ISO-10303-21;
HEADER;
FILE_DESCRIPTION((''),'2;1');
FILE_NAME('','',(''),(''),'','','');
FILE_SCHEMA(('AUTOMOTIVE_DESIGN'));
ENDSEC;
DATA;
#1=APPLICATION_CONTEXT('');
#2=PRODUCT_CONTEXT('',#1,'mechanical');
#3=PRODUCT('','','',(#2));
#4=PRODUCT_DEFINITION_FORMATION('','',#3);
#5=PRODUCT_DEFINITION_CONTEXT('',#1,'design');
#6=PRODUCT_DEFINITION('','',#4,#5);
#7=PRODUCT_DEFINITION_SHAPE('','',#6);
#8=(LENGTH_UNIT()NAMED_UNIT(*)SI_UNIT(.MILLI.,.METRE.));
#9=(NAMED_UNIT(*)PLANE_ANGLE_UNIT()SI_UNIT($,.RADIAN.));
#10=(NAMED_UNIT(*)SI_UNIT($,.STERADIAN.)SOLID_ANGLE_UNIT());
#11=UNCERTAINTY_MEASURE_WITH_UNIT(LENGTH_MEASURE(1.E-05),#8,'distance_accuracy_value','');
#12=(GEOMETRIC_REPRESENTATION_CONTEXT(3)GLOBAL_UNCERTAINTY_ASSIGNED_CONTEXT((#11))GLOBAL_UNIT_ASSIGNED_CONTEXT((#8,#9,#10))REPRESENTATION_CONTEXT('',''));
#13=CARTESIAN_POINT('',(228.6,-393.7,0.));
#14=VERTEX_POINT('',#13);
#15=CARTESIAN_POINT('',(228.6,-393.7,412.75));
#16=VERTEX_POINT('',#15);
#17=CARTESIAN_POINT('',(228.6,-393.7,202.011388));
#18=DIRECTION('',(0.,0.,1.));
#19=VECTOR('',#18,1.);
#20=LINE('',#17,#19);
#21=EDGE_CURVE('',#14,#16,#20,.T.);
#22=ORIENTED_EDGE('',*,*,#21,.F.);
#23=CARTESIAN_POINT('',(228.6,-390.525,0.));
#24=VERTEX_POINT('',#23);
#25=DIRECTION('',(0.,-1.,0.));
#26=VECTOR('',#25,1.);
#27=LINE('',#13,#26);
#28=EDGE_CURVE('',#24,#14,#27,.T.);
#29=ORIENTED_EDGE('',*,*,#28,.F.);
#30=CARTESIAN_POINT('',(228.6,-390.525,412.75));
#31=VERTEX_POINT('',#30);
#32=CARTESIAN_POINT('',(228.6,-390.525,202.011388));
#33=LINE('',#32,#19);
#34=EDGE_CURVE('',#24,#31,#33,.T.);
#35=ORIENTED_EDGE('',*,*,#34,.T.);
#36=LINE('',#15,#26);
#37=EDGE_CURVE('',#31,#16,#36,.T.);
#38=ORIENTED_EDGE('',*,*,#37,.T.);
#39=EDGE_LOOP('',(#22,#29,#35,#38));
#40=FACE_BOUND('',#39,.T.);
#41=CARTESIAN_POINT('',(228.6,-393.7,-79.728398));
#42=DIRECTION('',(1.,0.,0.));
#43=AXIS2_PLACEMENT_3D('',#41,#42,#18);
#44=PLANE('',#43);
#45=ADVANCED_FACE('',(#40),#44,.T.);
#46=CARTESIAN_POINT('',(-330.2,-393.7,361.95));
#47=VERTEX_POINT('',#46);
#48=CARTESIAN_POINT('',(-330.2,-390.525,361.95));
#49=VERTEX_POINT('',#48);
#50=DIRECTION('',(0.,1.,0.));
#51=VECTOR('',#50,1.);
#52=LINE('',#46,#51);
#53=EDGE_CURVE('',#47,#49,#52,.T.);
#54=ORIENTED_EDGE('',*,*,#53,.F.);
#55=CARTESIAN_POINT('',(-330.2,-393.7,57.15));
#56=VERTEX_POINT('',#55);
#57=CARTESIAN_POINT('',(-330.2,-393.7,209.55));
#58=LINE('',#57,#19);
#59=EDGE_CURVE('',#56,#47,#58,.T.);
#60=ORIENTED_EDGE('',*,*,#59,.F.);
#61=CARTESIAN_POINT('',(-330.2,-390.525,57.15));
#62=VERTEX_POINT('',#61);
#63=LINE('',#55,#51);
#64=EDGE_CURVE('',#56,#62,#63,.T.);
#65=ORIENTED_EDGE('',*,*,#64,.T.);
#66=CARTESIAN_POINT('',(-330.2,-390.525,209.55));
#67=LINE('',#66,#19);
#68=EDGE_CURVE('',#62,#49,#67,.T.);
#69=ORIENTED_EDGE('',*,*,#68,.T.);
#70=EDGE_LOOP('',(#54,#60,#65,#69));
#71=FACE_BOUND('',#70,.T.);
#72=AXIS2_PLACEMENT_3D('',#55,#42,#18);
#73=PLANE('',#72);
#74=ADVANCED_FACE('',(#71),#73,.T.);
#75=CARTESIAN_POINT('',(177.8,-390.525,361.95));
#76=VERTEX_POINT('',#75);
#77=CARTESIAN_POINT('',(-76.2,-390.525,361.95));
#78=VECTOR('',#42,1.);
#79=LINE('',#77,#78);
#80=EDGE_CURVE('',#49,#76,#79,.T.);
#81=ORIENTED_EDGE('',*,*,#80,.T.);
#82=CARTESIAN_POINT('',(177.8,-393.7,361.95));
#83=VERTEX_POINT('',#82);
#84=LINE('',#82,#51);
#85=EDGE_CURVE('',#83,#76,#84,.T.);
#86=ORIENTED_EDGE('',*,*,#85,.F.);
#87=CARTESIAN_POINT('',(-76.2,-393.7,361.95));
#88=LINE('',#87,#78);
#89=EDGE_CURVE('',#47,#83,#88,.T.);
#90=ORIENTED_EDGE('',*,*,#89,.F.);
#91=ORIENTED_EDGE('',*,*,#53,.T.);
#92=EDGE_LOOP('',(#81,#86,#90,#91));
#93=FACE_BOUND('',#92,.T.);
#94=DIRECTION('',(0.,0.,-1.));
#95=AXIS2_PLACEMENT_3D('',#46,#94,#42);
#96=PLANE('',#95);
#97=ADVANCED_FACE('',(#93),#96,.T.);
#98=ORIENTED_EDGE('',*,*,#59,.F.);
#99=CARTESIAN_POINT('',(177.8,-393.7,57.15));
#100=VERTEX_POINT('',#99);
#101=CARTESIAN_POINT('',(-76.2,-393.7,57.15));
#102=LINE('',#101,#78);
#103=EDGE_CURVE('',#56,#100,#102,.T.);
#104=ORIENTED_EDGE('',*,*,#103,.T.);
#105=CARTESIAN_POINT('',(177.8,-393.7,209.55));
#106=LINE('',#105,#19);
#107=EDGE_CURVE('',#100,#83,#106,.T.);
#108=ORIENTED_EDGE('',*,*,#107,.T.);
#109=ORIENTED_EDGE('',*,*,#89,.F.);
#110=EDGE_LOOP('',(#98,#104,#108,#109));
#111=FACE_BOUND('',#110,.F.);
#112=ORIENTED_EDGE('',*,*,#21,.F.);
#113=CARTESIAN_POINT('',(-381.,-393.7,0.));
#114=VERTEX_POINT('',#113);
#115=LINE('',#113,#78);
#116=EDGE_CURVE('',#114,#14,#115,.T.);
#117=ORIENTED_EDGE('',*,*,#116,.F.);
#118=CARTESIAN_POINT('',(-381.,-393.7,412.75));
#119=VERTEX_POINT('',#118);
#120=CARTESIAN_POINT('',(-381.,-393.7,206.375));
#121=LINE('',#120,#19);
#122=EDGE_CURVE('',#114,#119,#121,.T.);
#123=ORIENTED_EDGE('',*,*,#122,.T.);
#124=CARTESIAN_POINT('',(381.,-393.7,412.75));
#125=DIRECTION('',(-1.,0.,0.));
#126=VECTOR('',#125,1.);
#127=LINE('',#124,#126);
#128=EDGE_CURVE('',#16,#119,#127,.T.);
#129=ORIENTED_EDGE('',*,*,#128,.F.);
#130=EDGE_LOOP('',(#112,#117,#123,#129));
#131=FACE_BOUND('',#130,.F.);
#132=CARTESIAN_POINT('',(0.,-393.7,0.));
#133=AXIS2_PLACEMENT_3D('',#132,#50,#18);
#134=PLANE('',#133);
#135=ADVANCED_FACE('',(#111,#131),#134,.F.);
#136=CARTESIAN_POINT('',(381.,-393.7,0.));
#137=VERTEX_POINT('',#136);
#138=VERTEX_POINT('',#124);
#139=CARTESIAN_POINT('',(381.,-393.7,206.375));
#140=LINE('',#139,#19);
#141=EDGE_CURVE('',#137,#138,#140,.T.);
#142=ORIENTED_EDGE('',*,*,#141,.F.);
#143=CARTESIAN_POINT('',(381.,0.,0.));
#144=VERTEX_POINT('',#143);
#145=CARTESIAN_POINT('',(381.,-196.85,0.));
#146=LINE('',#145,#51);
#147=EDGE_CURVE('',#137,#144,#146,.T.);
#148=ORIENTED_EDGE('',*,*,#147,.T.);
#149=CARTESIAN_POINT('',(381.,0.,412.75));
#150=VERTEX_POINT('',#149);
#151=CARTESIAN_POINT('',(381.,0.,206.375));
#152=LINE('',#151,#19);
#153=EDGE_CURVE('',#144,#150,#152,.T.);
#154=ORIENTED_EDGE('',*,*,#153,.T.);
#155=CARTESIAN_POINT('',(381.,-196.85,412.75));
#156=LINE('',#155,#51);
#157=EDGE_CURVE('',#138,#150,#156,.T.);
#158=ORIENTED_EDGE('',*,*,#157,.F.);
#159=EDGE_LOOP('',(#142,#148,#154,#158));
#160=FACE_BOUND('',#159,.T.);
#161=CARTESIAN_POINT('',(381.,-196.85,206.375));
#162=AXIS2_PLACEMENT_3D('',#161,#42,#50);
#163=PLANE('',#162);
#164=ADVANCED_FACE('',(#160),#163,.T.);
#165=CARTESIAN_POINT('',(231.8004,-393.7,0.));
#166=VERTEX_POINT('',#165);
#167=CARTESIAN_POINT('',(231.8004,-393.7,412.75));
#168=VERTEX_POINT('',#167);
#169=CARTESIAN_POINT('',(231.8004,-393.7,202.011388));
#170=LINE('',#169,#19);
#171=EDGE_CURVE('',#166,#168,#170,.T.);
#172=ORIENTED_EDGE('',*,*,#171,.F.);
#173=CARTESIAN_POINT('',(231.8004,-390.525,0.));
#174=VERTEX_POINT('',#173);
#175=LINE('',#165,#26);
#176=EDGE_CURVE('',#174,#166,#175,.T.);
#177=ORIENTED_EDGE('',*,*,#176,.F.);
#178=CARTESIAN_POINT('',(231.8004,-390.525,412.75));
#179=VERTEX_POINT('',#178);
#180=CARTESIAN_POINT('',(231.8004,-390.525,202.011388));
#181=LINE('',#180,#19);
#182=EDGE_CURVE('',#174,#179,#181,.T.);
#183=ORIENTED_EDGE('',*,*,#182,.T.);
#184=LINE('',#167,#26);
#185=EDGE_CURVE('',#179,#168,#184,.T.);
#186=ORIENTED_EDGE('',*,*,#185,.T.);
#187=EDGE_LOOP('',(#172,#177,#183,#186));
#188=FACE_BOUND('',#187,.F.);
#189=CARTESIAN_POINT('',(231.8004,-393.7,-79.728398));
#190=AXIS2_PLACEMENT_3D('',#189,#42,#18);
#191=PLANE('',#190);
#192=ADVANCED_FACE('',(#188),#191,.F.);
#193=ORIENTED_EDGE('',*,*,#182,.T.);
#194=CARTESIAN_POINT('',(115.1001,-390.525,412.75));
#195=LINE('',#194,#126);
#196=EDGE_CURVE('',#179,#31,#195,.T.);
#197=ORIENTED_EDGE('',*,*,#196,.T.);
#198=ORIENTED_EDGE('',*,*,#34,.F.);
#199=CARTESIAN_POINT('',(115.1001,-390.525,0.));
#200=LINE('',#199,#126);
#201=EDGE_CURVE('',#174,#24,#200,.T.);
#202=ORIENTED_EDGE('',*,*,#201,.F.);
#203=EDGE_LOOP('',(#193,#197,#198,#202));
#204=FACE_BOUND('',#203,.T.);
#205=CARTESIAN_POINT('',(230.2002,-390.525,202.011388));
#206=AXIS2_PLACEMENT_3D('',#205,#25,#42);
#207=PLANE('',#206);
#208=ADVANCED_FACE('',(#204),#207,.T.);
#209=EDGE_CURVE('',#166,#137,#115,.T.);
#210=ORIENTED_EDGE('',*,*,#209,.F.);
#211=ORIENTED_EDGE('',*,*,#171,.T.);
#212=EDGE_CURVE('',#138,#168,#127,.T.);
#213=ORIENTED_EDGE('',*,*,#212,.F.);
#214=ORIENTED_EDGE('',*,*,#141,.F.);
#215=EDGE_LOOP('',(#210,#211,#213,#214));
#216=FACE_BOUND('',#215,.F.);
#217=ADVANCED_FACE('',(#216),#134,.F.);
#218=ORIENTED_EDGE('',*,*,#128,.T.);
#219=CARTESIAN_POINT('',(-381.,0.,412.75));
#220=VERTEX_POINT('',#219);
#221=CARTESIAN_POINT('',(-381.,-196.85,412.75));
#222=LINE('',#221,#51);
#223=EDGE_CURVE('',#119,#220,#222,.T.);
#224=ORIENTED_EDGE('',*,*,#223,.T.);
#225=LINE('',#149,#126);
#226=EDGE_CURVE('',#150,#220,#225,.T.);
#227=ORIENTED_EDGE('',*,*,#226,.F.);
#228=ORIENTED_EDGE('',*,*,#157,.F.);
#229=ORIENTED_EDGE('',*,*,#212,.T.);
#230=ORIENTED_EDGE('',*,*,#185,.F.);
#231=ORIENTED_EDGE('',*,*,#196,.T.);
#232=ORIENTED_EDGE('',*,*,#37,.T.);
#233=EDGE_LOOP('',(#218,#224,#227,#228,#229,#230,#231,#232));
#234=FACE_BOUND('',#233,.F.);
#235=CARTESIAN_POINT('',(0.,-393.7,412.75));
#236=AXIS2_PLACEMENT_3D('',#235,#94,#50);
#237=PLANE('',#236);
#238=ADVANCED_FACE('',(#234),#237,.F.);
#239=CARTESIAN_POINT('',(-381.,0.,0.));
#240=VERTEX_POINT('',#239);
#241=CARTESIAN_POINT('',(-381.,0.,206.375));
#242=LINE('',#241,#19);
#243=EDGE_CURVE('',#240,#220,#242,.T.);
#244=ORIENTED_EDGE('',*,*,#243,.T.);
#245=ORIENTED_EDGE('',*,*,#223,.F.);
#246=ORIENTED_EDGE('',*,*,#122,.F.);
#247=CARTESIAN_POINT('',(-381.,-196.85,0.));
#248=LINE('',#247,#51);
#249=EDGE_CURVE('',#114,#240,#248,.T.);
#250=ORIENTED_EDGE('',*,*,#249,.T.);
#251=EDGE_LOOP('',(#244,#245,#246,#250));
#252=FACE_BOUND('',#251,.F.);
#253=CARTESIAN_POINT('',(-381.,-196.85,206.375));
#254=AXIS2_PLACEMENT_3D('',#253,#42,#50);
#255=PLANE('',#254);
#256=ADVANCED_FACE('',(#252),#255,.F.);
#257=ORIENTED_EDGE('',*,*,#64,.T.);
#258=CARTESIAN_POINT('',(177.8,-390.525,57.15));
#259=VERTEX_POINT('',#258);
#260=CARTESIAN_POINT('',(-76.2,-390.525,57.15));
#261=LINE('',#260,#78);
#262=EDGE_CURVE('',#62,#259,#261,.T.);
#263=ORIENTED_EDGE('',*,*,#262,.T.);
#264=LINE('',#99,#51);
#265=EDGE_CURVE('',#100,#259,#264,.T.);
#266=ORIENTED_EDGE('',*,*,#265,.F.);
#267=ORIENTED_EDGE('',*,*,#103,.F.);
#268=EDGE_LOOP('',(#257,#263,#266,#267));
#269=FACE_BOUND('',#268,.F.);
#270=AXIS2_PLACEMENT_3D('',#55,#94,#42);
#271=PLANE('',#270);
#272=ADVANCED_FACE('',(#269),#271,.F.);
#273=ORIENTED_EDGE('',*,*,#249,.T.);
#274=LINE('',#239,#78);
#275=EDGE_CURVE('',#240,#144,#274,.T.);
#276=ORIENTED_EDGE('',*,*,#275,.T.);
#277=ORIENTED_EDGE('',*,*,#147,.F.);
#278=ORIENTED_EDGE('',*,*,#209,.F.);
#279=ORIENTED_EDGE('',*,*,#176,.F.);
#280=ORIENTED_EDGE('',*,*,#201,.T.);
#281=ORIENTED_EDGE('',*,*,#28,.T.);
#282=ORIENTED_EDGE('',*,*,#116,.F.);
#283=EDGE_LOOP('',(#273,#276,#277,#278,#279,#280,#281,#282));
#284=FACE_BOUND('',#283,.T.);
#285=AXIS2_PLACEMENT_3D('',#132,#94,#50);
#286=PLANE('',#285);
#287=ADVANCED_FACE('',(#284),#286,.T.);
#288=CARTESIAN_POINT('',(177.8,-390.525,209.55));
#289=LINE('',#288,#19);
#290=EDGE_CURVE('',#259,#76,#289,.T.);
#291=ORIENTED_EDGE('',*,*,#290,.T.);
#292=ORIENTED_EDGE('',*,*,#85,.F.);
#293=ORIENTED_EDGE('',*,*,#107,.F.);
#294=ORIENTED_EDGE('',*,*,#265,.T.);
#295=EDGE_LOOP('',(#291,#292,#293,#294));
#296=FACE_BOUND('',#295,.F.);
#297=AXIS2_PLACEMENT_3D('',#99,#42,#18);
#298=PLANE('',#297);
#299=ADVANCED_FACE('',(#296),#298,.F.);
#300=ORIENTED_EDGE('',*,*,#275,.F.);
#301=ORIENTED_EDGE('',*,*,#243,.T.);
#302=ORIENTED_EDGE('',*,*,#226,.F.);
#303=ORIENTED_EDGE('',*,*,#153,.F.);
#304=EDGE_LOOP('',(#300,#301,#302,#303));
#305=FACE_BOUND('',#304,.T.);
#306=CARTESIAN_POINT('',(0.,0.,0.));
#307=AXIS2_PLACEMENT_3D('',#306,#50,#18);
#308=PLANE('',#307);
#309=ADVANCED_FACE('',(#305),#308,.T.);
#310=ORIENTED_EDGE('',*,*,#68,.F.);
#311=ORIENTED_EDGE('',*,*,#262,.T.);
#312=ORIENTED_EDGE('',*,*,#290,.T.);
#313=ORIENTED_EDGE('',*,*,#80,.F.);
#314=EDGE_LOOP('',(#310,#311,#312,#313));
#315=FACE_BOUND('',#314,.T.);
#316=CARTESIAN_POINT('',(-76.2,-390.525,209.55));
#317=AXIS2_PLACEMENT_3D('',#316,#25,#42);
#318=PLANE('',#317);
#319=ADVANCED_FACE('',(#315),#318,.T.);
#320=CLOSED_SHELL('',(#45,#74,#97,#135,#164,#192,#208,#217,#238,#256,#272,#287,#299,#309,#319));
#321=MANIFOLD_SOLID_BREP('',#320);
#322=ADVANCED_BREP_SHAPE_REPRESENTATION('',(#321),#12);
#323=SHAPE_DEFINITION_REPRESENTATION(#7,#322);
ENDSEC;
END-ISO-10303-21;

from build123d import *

# Parameters (mm, degrees)
F0_W     = 393.7
F0_H     = 412.75
F1_DEPTH = 381
F2_W     = 508
F2_H     = 304.8
F3_DEPTH = 3.175
F4_W     = 3.2004
F4_H     = 563.479573
F5_DEPTH = 3.175


with BuildPart() as f1:
    # F0 (on Right) → F1 (new body, symmetric)
    with BuildSketch(Plane.YZ):
        with Locations((-196.85, 206.375)):
            Rectangle(F0_W, F0_H)
    extrude(amount=F1_DEPTH, both=True)

    # F2 (on face) → F3 (cut)
    with BuildSketch(Plane.XZ.offset(393.7)):
        with Locations((-76.2, 209.55)):
            Rectangle(F2_W, F2_H)
    extrude(amount=-F3_DEPTH, mode=Mode.SUBTRACT)

    # F4 (on face) → F5 (cut)
    with BuildSketch(Plane.XZ.offset(393.7)):
        with Locations((230.2002, 202.011388)):
            Rectangle(F4_W, F4_H)
    extrude(amount=-F5_DEPTH, mode=Mode.SUBTRACT)


solid = f1.part
